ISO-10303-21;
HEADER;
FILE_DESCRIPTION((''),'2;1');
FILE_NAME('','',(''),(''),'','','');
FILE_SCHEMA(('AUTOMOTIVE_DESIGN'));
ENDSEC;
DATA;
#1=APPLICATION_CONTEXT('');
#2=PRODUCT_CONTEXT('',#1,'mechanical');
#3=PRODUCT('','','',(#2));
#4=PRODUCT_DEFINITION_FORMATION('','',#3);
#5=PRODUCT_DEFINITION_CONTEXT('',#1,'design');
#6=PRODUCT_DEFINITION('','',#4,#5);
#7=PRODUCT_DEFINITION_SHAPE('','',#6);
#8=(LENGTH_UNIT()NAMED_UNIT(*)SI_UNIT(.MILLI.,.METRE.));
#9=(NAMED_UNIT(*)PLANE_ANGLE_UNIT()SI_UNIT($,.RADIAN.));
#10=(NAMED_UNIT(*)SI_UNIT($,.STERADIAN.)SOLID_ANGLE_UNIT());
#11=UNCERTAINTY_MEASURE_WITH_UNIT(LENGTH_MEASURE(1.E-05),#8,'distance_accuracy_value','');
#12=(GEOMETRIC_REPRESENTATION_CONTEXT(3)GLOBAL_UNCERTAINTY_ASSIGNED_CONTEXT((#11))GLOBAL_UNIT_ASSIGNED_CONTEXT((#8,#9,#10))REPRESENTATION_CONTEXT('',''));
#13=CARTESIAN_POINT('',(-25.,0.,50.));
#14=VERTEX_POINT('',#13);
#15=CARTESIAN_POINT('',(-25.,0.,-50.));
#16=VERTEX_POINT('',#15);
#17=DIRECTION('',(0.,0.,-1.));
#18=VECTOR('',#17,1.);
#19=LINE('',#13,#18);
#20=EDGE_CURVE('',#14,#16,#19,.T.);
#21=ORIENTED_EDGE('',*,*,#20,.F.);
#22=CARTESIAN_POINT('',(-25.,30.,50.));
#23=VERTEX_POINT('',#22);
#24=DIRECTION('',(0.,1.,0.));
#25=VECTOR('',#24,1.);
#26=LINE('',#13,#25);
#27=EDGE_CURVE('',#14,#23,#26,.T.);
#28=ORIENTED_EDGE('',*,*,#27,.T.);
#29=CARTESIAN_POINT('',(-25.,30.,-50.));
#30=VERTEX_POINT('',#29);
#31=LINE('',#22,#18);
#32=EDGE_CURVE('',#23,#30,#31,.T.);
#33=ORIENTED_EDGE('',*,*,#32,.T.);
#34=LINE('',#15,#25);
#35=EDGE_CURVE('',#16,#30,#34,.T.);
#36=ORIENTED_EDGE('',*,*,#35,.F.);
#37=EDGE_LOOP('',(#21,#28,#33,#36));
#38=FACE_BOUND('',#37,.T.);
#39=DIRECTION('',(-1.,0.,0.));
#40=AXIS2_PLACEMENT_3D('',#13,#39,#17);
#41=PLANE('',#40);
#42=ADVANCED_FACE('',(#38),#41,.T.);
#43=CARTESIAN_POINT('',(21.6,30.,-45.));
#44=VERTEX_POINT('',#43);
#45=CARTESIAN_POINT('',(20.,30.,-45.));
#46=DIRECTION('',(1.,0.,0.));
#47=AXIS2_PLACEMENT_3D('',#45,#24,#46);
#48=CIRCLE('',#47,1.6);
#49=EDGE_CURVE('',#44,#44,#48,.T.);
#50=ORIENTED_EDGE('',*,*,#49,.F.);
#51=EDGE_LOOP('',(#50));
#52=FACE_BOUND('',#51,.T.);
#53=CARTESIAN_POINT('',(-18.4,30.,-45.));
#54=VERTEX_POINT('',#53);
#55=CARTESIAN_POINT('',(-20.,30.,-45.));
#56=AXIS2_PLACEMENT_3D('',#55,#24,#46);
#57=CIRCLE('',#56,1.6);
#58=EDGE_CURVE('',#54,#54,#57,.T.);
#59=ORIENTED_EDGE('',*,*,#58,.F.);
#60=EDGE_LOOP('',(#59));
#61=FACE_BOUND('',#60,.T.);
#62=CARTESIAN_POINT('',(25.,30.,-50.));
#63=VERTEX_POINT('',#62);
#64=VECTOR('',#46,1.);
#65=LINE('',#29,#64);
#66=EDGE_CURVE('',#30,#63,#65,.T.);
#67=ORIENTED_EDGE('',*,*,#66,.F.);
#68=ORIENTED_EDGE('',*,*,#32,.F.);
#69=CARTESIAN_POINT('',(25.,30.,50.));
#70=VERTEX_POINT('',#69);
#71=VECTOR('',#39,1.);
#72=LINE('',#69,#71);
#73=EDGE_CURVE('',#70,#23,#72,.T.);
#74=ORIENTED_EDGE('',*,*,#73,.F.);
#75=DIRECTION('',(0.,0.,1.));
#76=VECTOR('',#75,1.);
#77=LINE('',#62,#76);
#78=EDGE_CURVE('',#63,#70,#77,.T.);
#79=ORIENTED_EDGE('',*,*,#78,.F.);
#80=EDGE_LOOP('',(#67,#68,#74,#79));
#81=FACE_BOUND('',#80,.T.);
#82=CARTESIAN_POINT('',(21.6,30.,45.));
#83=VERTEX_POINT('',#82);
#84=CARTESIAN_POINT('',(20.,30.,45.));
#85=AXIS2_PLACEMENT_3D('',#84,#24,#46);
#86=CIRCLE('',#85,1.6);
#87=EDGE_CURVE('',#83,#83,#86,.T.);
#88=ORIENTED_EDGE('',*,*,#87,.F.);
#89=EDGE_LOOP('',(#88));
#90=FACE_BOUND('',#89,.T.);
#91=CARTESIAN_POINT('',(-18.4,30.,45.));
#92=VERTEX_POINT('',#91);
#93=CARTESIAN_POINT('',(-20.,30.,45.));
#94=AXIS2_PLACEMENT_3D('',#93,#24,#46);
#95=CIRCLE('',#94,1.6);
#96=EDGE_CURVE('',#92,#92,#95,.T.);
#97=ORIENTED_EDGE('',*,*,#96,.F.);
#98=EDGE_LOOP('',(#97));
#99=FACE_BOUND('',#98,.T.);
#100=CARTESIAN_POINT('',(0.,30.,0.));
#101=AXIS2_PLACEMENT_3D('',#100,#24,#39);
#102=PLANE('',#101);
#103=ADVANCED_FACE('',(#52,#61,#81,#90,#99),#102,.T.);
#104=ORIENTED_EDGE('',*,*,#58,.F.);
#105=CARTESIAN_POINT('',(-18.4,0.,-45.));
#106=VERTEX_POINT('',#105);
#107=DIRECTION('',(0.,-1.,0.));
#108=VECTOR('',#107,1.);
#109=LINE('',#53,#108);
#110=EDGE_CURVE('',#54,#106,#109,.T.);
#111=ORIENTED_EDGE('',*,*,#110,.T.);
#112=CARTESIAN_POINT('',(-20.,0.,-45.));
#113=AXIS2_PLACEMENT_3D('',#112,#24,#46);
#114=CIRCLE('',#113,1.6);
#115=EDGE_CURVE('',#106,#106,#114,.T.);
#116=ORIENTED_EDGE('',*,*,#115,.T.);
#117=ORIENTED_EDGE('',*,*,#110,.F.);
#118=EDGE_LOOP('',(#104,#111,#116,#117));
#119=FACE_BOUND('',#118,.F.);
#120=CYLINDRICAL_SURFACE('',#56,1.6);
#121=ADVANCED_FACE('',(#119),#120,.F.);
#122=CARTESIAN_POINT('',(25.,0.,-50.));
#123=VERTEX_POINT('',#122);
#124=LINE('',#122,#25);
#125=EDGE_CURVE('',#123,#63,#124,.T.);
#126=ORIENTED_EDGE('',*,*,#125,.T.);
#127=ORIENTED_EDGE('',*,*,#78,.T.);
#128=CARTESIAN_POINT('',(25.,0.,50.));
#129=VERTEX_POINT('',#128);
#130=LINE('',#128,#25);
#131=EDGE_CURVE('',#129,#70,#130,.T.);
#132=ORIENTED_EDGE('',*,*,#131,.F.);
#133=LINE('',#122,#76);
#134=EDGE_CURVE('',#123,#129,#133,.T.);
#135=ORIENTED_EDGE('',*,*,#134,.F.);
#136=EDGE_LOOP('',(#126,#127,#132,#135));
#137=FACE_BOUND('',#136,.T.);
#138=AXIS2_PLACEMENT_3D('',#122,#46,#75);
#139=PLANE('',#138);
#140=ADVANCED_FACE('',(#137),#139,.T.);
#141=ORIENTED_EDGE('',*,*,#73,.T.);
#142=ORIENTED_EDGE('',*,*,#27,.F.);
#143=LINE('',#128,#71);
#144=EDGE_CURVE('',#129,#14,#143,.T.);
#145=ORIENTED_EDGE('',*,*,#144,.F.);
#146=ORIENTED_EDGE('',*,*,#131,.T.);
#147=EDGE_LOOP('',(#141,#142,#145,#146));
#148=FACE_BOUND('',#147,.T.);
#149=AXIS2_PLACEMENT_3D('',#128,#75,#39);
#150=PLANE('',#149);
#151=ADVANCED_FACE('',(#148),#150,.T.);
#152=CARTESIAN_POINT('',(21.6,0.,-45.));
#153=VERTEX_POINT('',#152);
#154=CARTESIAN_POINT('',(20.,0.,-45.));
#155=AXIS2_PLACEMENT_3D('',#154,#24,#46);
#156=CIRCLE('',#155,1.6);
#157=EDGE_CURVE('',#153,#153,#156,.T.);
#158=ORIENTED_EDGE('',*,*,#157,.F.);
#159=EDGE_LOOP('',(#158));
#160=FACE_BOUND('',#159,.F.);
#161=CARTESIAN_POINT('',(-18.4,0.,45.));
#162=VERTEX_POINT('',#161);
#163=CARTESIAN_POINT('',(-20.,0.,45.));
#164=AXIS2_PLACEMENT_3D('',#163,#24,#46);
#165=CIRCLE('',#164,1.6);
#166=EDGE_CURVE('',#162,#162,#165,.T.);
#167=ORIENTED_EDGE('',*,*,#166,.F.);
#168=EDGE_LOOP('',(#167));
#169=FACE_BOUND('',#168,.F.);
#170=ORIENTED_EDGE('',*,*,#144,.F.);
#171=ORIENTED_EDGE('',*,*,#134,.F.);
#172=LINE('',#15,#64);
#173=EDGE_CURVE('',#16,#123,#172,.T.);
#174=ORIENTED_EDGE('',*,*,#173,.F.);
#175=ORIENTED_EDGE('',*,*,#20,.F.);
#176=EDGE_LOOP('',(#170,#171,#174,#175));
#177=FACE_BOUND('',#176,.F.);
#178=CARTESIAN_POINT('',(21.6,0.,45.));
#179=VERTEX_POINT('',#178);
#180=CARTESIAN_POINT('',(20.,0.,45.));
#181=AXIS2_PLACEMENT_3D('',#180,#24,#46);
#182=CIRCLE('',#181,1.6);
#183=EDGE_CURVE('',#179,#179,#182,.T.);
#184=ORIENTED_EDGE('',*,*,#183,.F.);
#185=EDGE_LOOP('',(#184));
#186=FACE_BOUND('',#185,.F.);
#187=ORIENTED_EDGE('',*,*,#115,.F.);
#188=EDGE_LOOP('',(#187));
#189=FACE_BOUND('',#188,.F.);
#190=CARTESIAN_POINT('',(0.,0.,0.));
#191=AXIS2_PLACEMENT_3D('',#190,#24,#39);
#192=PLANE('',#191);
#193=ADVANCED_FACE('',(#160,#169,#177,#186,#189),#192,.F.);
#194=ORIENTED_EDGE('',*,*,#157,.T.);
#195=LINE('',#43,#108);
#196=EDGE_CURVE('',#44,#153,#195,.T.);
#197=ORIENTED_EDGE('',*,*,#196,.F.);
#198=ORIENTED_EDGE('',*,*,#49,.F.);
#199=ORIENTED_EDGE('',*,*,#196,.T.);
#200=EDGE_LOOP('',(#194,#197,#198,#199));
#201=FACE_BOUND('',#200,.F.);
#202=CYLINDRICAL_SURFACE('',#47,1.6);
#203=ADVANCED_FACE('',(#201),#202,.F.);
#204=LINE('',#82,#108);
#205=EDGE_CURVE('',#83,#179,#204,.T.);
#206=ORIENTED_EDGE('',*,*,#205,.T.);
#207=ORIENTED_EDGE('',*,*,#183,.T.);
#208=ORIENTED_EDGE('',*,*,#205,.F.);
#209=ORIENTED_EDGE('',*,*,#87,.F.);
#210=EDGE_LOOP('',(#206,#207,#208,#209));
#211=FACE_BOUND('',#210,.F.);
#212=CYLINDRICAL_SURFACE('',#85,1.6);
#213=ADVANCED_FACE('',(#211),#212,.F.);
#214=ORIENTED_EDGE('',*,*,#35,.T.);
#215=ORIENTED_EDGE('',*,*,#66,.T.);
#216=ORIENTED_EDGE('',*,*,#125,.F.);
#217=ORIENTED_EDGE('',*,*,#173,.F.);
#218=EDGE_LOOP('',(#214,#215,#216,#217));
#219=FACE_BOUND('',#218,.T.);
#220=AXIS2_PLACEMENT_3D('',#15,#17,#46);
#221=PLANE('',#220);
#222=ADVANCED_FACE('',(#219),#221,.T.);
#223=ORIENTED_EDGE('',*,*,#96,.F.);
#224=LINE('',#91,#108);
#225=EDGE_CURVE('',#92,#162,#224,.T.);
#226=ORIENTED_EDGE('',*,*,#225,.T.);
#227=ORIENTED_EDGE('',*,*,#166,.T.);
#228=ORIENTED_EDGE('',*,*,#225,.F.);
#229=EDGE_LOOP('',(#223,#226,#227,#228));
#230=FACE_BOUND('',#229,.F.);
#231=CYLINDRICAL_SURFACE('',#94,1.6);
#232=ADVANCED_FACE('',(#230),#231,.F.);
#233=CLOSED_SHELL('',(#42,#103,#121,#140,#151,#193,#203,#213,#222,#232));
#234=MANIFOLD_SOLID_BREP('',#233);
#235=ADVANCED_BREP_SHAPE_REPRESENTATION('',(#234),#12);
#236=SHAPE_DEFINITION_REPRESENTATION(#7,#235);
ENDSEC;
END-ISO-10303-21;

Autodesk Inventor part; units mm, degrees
ref_plane "YZ Plane" through (0, 0, 0) normal (1, 0, 0) x (0, 1, 0)
ref_plane "XZ Plane" through (0, 0, 0) normal (0, 1, 0) x (-1, 0, 0)
ref_plane "XY Plane" through (0, 0, 0) normal (0, 0, 1) x (1, 0, 0)
sketch "Эскиз1" plane through (0, 0, 0) normal (0, 1, 0) x (-1, 0, 0)
  line L0 (-25, 50) -> (25, 50)
  line L1 (25, 50) -> (25, -50)
  line L2 (25, -50) -> (-25, -50)
  line L3 (-25, -50) -> (-25, 50)
  line L4 (-25, 50) -> (25, -50) construction
  line L5 (25, 50) -> (-25, -50) construction
  point P0 (0, 0)
  dimension "d0" = 50
  dimension "d1" = 100
extrude "Выдавливание1" add sketch "Эскиз1" along normal blind 30
sketch "Эскиз2" plane through (0, 30, 0) normal (0, 1, 0) x (1, 0, 0)
  line L0 (25, 50) -> (-25, 50) projected
  line L1 (-25, 50) -> (-25, -50) projected
  line L2 (-25, -50) -> (25, -50) projected
  line L3 (25, -50) -> (25, 50) projected
  circle A0 centre (20, 45) radius 1.6
  circle A1 centre (20, -45) radius 1.6
  circle A2 centre (-20, -45) radius 1.6
  arc A3 (-20, 52.5) -> (-25, 47.5) centre (-20, 45) ccw projected
  circle A4 centre (-20, 45) radius 1.6
  circle A5 centre (-20, 45) radius 5
  circle A6 centre (20, 45) radius 5
  circle A7 centre (20, -45) radius 5
  circle A8 centre (-20, -45) radius 5
  line L4 (-25, 50) -> (-25, -50) projected
  line L5 (-25, -50) -> (25, -50) projected
  line L6 (25, -50) -> (25, 50) projected
  line L7 (25, 50) -> (-25, 50) projected
  point P0 (0, 0)
  dimension "d5" = 3.2
  dimension "d6" = 3.2
  dimension "d7" = 3.2
  dimension "d8" = 3.2
  dimension "d11" = 10
  dimension "d12" = 10
  dimension "d13" = 10
  dimension "d14" = 10
extrude "Выдавливание2" cut sketch "Эскиз2" against normal blind 30 contours A0 | A1 | A2 | A4
properties part number "LPS_board"
